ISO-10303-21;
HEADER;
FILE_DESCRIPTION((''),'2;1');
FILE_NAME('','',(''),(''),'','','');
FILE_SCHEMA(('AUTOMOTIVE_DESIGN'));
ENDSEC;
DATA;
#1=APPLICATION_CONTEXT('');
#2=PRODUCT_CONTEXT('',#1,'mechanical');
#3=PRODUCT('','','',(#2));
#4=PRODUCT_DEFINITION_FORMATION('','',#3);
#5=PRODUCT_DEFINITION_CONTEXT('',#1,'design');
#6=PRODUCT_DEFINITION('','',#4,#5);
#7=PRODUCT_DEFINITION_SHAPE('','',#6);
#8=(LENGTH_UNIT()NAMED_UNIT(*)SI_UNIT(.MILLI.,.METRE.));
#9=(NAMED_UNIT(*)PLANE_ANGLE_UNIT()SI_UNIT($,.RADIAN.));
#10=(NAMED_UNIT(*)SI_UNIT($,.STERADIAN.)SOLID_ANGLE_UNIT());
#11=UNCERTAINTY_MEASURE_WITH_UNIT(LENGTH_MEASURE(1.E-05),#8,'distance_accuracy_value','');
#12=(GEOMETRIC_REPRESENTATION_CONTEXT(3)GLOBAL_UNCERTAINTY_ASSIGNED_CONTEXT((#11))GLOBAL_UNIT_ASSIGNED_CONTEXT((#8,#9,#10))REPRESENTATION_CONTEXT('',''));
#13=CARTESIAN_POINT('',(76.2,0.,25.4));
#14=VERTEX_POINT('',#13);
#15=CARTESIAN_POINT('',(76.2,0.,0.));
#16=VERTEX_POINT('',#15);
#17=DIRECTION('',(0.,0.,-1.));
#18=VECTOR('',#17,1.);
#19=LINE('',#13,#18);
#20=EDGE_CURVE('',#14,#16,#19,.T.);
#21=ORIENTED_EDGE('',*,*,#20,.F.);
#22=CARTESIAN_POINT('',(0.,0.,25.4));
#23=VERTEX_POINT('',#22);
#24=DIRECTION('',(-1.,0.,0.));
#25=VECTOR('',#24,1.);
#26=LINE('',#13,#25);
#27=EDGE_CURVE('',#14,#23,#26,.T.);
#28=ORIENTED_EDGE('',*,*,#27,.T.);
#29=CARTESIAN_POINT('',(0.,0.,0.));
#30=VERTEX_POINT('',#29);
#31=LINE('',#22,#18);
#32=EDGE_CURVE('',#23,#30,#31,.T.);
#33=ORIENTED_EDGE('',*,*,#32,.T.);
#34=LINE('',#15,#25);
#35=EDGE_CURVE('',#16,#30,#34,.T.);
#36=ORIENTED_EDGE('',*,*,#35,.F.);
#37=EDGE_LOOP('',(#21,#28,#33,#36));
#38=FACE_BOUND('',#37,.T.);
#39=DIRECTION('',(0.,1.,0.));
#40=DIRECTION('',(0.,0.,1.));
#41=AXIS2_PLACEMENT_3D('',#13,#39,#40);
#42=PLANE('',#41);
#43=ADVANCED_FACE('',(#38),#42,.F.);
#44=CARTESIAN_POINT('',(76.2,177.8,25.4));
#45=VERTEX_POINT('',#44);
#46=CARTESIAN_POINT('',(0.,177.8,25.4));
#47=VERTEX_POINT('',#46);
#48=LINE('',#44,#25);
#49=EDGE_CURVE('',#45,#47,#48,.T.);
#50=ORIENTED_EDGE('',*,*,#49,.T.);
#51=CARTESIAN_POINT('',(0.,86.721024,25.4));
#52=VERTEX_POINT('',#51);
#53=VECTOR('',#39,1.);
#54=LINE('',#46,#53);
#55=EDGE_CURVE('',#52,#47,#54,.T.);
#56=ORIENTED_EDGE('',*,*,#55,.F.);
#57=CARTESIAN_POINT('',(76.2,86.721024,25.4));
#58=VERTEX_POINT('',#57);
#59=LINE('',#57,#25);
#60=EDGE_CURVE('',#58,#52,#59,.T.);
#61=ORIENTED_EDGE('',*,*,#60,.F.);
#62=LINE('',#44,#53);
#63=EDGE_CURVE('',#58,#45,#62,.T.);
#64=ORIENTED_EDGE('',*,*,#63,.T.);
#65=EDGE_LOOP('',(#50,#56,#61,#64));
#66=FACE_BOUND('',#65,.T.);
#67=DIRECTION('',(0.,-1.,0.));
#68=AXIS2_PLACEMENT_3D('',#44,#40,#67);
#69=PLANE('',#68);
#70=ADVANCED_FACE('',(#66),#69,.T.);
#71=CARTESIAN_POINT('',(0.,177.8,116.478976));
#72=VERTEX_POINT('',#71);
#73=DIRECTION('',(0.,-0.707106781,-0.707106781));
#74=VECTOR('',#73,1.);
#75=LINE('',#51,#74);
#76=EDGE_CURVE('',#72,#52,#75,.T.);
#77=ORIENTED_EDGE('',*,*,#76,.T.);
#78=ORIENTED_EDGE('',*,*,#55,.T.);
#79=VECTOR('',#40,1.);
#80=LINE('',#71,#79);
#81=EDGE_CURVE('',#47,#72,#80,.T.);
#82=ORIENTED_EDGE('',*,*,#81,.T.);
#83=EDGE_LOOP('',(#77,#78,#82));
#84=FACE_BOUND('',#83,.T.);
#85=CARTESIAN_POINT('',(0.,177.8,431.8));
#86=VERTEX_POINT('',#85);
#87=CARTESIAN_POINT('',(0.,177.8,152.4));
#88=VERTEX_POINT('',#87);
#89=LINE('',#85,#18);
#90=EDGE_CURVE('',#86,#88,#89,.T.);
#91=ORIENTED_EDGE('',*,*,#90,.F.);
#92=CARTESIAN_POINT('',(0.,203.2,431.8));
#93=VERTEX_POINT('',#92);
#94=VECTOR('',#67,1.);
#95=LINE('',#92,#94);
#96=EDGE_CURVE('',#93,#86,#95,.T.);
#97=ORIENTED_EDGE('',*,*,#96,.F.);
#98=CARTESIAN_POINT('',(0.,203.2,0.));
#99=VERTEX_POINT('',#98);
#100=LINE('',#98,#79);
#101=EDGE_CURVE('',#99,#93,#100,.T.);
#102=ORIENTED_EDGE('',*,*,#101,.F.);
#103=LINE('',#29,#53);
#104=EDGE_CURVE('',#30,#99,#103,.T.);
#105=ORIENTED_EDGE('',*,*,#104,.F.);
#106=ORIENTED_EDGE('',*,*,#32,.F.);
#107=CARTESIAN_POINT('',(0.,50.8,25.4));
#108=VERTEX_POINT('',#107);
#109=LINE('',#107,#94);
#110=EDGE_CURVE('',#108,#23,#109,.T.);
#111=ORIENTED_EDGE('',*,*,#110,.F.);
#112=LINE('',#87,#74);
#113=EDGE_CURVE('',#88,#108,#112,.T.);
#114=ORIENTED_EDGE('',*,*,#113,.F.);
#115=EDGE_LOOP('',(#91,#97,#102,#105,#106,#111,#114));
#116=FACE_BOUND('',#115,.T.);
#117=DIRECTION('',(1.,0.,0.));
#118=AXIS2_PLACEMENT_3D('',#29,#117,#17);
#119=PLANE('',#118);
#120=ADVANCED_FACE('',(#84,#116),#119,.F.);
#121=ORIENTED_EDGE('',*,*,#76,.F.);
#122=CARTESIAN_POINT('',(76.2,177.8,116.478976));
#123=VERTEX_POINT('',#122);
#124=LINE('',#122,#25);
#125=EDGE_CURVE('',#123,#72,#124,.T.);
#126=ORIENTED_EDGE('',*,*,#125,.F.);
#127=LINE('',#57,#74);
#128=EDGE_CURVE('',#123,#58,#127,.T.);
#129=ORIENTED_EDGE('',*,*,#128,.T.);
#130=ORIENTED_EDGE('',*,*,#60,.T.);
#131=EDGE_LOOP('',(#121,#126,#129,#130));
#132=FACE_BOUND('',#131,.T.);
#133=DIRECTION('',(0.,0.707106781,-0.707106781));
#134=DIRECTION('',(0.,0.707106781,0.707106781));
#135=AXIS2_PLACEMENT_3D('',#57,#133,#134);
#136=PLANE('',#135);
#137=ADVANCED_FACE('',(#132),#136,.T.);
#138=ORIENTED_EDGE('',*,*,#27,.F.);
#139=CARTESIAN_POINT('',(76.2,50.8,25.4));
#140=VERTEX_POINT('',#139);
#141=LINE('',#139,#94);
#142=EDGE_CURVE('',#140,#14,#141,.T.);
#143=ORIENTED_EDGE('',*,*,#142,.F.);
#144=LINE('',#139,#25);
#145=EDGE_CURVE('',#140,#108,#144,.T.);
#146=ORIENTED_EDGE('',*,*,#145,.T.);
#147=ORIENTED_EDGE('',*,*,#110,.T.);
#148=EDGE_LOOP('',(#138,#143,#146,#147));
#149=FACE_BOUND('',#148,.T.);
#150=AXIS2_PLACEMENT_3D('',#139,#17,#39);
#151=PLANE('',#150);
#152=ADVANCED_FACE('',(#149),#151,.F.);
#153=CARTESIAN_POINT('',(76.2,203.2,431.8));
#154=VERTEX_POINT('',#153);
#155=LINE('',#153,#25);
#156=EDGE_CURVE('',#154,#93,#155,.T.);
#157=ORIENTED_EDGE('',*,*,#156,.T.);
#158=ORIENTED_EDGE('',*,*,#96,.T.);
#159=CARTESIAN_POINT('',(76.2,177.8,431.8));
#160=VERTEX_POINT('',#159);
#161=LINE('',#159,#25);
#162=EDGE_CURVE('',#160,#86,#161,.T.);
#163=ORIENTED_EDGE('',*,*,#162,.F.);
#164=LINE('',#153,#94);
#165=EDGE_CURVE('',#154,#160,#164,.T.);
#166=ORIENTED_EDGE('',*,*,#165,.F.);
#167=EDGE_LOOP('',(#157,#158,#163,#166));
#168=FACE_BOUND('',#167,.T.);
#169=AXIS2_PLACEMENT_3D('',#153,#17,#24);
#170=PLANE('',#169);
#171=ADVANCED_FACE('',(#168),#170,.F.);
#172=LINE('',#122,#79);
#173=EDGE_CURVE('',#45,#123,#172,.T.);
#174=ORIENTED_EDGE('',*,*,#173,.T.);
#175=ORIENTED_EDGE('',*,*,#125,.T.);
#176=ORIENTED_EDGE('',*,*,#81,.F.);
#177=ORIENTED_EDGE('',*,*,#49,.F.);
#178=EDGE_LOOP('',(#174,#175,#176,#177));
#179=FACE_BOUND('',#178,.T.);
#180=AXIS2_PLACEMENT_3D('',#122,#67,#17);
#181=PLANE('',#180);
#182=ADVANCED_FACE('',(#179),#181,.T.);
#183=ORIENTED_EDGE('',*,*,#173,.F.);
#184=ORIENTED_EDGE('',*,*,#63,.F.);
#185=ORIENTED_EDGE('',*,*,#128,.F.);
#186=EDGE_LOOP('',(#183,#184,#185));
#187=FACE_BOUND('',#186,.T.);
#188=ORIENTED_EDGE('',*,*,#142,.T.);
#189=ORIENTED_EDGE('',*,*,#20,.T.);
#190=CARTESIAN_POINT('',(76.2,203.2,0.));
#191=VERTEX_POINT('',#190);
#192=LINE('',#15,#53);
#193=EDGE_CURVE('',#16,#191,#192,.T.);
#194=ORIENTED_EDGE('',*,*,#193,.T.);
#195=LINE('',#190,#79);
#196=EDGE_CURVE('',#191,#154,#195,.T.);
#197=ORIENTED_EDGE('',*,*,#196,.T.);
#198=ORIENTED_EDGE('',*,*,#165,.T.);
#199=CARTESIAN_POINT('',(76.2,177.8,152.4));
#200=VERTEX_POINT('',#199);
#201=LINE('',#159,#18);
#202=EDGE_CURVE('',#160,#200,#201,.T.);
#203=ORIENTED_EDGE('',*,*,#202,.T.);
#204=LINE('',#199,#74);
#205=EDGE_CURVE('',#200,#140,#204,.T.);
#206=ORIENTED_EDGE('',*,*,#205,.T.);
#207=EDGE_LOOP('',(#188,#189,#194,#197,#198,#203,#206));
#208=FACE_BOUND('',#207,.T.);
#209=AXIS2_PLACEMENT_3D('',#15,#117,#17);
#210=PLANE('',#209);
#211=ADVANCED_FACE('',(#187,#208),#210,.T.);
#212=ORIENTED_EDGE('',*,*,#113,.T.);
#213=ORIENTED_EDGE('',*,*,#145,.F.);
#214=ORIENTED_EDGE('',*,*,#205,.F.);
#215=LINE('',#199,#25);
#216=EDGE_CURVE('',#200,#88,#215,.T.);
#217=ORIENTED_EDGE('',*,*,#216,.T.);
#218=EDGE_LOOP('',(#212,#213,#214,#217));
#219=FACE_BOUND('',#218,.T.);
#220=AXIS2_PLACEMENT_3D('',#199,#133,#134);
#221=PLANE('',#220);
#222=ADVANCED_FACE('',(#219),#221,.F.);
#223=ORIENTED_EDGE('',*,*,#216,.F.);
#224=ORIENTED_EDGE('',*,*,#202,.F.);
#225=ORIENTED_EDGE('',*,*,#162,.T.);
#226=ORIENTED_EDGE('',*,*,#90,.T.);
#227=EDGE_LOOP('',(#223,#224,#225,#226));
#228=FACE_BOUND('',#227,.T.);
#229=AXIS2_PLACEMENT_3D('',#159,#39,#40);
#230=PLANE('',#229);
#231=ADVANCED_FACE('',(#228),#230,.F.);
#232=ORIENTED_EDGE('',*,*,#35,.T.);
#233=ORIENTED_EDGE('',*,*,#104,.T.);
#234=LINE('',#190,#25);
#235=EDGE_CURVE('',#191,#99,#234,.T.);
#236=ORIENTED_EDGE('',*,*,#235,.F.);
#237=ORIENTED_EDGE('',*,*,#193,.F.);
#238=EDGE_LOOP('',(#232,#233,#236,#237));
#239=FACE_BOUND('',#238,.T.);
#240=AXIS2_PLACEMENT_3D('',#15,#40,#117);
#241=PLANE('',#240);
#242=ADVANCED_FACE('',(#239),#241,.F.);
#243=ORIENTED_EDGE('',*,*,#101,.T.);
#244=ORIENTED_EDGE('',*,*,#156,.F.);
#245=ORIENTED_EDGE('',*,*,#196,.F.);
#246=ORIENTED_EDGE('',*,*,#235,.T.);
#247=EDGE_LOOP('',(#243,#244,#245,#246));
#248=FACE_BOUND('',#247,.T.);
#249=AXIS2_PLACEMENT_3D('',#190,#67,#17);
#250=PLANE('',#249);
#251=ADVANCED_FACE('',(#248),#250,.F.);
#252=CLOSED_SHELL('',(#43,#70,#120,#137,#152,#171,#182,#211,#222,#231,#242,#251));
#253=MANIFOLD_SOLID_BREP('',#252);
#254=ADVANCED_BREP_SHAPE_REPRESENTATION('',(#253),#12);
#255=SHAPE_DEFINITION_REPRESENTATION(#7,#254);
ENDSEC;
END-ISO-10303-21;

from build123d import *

# Parameters (mm, degrees)
BOSS_EXTRUDE1_DEPTH = 76.2


with BuildPart() as part:
    # Sketch1 → Boss-Extrude1 (new body)
    with BuildSketch(Plane(origin=(0, 0, 0), x_dir=(0, 0, -1), z_dir=(1, 0, 0))):
        Polygon((0, 0), (0, 203.2), (-431.8, 203.2), (-431.8, 177.8), (-152.4, 177.8), (-25.4, 50.8), (-25.4, 0), align=None)
        Polygon((-116.478975516, 177.8), (-25.4, 177.8), (-25.4, 86.721024484), align=None, mode=Mode.SUBTRACT)
    extrude(amount=BOSS_EXTRUDE1_DEPTH)


solid = part.part
